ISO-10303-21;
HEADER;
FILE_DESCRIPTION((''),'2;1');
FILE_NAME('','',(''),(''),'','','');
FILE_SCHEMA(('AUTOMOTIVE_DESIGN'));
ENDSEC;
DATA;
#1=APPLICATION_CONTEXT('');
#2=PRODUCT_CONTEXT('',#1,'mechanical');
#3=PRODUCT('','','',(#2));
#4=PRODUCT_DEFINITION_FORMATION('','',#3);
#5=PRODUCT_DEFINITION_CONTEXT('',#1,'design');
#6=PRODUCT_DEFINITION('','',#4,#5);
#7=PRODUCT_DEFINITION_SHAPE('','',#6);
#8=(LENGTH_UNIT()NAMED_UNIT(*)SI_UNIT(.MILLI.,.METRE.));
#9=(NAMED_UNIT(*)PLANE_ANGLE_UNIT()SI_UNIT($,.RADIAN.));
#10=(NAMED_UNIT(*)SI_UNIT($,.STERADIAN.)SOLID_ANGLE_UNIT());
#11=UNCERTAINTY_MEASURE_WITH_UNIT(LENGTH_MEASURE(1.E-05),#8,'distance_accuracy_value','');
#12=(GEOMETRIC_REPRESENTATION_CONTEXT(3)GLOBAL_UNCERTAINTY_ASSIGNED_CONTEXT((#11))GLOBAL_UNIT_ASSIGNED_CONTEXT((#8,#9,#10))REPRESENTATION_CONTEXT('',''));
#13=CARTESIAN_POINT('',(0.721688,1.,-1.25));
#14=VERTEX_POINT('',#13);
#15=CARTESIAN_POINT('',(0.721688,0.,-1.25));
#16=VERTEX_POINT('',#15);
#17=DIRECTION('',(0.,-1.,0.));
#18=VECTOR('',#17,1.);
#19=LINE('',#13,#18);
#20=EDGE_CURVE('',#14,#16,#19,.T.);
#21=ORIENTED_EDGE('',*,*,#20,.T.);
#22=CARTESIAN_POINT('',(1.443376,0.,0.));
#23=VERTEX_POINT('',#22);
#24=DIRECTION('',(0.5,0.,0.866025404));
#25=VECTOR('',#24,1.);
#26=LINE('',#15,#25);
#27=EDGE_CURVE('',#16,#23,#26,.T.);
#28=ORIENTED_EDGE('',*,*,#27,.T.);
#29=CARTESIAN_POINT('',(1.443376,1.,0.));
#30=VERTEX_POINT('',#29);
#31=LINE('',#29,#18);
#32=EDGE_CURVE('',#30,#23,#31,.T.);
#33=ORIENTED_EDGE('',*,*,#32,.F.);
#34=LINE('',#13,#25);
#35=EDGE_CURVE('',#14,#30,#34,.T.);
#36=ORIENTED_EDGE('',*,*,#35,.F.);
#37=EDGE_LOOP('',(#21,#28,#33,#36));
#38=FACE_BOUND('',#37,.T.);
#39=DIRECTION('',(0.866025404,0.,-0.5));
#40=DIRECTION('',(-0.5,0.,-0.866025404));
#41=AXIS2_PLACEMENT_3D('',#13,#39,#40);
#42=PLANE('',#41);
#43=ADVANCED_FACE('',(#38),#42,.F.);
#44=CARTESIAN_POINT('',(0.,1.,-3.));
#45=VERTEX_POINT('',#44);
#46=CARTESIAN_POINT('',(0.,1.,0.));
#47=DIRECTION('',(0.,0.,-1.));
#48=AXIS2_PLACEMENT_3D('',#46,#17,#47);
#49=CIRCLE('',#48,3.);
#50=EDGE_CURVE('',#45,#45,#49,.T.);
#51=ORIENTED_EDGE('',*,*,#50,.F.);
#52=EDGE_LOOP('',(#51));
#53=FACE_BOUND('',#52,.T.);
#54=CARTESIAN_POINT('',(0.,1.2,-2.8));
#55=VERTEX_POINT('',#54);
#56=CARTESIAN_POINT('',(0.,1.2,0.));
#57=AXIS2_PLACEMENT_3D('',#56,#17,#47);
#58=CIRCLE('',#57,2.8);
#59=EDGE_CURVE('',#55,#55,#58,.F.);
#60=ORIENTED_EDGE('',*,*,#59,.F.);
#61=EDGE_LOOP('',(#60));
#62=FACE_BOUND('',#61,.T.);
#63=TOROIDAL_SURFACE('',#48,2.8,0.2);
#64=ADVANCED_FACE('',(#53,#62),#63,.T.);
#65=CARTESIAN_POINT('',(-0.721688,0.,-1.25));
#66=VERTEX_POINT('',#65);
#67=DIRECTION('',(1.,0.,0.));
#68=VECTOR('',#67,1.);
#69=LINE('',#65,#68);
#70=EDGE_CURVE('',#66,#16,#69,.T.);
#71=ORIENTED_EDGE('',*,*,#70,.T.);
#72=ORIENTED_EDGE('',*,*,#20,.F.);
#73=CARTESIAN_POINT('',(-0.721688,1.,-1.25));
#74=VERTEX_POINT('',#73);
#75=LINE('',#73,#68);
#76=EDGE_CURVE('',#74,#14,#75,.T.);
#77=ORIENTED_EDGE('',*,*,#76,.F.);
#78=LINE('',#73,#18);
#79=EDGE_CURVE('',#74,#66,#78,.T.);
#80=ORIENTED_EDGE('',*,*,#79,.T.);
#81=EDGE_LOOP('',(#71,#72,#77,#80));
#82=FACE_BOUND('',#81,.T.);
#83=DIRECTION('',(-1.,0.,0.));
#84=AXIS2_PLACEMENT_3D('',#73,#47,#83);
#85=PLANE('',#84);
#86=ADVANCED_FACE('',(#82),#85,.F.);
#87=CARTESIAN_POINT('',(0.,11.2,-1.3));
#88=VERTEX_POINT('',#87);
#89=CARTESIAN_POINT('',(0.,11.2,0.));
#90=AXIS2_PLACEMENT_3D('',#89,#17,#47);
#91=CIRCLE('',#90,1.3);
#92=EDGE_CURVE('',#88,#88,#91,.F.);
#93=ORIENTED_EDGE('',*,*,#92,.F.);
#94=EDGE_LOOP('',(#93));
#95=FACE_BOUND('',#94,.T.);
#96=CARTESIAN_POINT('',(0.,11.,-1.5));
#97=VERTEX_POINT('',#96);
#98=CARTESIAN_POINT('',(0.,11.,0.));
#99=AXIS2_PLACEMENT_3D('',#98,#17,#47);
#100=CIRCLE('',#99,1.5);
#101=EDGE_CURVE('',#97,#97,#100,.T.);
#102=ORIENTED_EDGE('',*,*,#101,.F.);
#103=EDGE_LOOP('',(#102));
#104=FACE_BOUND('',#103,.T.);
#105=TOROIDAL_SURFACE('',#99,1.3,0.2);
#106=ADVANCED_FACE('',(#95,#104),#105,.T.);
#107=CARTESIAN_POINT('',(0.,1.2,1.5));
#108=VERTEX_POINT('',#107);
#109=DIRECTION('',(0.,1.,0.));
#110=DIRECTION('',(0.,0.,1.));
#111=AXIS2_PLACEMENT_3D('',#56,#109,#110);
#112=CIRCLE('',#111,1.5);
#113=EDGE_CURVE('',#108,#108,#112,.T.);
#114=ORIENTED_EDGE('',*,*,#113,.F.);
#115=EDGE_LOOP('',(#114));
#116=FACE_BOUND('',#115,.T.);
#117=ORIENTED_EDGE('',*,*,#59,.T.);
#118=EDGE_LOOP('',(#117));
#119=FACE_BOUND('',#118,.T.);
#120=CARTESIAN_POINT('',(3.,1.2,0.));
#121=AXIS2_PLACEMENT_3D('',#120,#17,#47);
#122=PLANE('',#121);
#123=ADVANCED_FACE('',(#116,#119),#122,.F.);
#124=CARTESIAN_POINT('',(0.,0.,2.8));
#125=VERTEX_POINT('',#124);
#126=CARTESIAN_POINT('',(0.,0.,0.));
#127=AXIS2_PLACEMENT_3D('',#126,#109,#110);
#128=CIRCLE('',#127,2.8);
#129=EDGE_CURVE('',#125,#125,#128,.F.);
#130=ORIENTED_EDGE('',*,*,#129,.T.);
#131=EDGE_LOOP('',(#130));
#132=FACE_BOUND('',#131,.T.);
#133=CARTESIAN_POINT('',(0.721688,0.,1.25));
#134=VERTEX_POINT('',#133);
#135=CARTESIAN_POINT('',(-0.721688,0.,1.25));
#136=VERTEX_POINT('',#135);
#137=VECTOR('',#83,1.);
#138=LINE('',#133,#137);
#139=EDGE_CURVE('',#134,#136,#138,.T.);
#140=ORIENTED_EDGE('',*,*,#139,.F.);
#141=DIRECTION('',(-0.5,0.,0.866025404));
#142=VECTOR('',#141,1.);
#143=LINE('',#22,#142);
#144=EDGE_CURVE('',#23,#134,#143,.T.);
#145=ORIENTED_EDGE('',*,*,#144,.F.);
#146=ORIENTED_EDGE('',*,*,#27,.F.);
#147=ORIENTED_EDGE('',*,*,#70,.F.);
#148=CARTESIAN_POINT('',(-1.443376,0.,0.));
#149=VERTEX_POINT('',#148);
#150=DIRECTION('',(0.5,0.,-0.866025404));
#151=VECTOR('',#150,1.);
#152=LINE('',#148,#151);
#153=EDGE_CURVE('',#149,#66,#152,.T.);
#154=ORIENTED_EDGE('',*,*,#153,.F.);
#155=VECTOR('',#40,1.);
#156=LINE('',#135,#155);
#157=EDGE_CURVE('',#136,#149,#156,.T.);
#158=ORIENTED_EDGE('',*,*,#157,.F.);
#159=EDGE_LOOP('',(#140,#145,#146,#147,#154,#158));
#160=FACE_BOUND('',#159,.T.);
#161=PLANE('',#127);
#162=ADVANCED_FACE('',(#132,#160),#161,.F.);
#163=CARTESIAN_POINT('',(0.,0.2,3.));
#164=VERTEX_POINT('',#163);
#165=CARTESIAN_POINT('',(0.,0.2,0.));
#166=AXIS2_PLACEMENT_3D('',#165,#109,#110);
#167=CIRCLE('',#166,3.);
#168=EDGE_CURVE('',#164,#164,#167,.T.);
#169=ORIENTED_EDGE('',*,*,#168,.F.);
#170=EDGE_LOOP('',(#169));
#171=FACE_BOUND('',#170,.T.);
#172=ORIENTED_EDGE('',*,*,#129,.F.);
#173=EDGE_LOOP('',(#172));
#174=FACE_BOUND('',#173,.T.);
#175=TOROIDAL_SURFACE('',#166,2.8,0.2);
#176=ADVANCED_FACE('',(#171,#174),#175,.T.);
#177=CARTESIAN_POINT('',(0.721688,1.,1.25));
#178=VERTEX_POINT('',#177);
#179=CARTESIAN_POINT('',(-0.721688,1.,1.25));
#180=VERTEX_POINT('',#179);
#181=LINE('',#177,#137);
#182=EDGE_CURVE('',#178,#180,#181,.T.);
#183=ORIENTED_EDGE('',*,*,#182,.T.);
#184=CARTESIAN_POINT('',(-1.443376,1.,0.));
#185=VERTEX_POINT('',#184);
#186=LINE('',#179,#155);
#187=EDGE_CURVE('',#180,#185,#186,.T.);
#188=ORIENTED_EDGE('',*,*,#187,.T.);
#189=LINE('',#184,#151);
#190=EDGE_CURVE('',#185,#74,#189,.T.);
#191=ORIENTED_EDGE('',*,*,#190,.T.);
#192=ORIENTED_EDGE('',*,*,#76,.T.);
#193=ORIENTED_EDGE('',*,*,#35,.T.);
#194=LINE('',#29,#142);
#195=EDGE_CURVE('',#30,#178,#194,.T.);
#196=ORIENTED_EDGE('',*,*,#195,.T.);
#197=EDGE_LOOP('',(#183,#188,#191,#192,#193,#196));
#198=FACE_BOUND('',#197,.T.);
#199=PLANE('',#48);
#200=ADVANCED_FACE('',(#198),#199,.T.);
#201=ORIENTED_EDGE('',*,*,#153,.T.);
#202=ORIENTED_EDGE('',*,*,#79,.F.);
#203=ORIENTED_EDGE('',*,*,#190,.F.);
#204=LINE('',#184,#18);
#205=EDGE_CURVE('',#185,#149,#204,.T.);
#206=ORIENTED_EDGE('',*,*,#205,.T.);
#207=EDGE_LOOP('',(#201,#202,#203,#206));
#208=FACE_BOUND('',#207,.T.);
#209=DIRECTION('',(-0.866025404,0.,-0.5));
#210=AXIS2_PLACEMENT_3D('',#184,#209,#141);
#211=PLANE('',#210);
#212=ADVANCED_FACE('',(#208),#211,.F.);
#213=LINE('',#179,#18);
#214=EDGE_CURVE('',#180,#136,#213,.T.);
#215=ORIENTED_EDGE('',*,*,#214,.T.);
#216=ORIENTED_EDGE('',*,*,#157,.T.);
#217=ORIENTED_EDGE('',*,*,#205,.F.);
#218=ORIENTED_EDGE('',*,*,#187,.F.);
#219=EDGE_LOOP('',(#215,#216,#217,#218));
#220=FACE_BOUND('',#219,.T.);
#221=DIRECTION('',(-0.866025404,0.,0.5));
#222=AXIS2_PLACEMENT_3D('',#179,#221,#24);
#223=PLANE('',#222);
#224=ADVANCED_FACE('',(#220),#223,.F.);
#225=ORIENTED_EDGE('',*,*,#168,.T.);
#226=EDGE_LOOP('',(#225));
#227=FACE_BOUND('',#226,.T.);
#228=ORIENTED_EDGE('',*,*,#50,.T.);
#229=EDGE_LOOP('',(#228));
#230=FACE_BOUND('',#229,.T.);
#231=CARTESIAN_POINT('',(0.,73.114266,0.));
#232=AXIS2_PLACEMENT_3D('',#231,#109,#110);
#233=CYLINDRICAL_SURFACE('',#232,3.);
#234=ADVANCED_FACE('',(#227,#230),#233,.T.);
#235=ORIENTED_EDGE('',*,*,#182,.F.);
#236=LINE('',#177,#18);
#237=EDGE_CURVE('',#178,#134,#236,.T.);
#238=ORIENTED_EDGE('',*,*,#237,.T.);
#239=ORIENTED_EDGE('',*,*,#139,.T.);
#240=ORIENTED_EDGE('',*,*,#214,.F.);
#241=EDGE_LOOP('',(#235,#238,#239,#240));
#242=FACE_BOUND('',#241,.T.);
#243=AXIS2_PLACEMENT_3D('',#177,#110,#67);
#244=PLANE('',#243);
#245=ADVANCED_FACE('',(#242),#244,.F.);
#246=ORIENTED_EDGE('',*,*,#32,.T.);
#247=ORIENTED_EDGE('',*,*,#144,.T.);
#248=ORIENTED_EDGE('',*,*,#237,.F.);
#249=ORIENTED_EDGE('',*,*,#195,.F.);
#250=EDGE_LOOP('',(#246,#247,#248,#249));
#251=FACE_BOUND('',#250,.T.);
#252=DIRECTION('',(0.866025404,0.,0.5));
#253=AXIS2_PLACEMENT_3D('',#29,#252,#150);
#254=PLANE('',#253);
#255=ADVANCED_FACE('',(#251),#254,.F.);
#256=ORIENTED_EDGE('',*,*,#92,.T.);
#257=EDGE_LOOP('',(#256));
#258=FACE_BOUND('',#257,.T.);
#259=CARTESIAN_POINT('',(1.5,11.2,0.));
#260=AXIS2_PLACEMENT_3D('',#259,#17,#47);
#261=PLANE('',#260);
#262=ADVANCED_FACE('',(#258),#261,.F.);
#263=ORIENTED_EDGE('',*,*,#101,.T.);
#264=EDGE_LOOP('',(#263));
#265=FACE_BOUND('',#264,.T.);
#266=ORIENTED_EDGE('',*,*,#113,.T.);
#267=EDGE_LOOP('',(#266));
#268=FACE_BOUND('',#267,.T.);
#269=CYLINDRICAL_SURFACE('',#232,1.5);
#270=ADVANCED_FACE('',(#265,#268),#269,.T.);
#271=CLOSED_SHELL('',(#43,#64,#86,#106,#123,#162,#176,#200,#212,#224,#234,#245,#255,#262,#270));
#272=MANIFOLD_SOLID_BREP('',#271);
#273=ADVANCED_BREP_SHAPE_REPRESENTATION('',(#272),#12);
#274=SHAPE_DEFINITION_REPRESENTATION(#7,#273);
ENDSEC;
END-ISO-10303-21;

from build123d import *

# Parameters (mm, degrees)
FILLET1_R          = 0.2
CUT_EXTRUDE1_DEPTH = 1


with BuildPart() as part:
    # Sketch2 → Revolve1 (revolve)
    with BuildSketch(Plane.XY, mode=Mode.PRIVATE) as revolve1_sk:
        Polygon((0, 0), (3, 0), (3, 1.2), (1.5, 1.2), (1.5, 11.2), (0, 11.2), align=None)
    revolve(revolve1_sk.sketch.rotate(Axis((0, 73.114266362, 0), (0, -1, 0)), 90), axis=Axis((0, 73.114266362, 0), (0, -1, 0)))

    # Fillet1
    fillet1_edges = [part.edges().sort_by_distance(p)[0] for p in [
        (0, 11.2, -1.5),
        (0, 1.2, -3),
        (0, 0, -3),
    ]]
    fillet(fillet1_edges, radius=FILLET1_R)

    # Sketch3 → Cut-Extrude1 (cut)
    with BuildSketch(Plane.XZ):
        Polygon((1.443375673, 0), (0.721687836, 1.25), (-0.721687836, 1.25), (-1.443375673, 0), (-0.721687836, -1.25), (0.721687836, -1.25), align=None)
    extrude(amount=-CUT_EXTRUDE1_DEPTH, mode=Mode.SUBTRACT)


solid = part.part
